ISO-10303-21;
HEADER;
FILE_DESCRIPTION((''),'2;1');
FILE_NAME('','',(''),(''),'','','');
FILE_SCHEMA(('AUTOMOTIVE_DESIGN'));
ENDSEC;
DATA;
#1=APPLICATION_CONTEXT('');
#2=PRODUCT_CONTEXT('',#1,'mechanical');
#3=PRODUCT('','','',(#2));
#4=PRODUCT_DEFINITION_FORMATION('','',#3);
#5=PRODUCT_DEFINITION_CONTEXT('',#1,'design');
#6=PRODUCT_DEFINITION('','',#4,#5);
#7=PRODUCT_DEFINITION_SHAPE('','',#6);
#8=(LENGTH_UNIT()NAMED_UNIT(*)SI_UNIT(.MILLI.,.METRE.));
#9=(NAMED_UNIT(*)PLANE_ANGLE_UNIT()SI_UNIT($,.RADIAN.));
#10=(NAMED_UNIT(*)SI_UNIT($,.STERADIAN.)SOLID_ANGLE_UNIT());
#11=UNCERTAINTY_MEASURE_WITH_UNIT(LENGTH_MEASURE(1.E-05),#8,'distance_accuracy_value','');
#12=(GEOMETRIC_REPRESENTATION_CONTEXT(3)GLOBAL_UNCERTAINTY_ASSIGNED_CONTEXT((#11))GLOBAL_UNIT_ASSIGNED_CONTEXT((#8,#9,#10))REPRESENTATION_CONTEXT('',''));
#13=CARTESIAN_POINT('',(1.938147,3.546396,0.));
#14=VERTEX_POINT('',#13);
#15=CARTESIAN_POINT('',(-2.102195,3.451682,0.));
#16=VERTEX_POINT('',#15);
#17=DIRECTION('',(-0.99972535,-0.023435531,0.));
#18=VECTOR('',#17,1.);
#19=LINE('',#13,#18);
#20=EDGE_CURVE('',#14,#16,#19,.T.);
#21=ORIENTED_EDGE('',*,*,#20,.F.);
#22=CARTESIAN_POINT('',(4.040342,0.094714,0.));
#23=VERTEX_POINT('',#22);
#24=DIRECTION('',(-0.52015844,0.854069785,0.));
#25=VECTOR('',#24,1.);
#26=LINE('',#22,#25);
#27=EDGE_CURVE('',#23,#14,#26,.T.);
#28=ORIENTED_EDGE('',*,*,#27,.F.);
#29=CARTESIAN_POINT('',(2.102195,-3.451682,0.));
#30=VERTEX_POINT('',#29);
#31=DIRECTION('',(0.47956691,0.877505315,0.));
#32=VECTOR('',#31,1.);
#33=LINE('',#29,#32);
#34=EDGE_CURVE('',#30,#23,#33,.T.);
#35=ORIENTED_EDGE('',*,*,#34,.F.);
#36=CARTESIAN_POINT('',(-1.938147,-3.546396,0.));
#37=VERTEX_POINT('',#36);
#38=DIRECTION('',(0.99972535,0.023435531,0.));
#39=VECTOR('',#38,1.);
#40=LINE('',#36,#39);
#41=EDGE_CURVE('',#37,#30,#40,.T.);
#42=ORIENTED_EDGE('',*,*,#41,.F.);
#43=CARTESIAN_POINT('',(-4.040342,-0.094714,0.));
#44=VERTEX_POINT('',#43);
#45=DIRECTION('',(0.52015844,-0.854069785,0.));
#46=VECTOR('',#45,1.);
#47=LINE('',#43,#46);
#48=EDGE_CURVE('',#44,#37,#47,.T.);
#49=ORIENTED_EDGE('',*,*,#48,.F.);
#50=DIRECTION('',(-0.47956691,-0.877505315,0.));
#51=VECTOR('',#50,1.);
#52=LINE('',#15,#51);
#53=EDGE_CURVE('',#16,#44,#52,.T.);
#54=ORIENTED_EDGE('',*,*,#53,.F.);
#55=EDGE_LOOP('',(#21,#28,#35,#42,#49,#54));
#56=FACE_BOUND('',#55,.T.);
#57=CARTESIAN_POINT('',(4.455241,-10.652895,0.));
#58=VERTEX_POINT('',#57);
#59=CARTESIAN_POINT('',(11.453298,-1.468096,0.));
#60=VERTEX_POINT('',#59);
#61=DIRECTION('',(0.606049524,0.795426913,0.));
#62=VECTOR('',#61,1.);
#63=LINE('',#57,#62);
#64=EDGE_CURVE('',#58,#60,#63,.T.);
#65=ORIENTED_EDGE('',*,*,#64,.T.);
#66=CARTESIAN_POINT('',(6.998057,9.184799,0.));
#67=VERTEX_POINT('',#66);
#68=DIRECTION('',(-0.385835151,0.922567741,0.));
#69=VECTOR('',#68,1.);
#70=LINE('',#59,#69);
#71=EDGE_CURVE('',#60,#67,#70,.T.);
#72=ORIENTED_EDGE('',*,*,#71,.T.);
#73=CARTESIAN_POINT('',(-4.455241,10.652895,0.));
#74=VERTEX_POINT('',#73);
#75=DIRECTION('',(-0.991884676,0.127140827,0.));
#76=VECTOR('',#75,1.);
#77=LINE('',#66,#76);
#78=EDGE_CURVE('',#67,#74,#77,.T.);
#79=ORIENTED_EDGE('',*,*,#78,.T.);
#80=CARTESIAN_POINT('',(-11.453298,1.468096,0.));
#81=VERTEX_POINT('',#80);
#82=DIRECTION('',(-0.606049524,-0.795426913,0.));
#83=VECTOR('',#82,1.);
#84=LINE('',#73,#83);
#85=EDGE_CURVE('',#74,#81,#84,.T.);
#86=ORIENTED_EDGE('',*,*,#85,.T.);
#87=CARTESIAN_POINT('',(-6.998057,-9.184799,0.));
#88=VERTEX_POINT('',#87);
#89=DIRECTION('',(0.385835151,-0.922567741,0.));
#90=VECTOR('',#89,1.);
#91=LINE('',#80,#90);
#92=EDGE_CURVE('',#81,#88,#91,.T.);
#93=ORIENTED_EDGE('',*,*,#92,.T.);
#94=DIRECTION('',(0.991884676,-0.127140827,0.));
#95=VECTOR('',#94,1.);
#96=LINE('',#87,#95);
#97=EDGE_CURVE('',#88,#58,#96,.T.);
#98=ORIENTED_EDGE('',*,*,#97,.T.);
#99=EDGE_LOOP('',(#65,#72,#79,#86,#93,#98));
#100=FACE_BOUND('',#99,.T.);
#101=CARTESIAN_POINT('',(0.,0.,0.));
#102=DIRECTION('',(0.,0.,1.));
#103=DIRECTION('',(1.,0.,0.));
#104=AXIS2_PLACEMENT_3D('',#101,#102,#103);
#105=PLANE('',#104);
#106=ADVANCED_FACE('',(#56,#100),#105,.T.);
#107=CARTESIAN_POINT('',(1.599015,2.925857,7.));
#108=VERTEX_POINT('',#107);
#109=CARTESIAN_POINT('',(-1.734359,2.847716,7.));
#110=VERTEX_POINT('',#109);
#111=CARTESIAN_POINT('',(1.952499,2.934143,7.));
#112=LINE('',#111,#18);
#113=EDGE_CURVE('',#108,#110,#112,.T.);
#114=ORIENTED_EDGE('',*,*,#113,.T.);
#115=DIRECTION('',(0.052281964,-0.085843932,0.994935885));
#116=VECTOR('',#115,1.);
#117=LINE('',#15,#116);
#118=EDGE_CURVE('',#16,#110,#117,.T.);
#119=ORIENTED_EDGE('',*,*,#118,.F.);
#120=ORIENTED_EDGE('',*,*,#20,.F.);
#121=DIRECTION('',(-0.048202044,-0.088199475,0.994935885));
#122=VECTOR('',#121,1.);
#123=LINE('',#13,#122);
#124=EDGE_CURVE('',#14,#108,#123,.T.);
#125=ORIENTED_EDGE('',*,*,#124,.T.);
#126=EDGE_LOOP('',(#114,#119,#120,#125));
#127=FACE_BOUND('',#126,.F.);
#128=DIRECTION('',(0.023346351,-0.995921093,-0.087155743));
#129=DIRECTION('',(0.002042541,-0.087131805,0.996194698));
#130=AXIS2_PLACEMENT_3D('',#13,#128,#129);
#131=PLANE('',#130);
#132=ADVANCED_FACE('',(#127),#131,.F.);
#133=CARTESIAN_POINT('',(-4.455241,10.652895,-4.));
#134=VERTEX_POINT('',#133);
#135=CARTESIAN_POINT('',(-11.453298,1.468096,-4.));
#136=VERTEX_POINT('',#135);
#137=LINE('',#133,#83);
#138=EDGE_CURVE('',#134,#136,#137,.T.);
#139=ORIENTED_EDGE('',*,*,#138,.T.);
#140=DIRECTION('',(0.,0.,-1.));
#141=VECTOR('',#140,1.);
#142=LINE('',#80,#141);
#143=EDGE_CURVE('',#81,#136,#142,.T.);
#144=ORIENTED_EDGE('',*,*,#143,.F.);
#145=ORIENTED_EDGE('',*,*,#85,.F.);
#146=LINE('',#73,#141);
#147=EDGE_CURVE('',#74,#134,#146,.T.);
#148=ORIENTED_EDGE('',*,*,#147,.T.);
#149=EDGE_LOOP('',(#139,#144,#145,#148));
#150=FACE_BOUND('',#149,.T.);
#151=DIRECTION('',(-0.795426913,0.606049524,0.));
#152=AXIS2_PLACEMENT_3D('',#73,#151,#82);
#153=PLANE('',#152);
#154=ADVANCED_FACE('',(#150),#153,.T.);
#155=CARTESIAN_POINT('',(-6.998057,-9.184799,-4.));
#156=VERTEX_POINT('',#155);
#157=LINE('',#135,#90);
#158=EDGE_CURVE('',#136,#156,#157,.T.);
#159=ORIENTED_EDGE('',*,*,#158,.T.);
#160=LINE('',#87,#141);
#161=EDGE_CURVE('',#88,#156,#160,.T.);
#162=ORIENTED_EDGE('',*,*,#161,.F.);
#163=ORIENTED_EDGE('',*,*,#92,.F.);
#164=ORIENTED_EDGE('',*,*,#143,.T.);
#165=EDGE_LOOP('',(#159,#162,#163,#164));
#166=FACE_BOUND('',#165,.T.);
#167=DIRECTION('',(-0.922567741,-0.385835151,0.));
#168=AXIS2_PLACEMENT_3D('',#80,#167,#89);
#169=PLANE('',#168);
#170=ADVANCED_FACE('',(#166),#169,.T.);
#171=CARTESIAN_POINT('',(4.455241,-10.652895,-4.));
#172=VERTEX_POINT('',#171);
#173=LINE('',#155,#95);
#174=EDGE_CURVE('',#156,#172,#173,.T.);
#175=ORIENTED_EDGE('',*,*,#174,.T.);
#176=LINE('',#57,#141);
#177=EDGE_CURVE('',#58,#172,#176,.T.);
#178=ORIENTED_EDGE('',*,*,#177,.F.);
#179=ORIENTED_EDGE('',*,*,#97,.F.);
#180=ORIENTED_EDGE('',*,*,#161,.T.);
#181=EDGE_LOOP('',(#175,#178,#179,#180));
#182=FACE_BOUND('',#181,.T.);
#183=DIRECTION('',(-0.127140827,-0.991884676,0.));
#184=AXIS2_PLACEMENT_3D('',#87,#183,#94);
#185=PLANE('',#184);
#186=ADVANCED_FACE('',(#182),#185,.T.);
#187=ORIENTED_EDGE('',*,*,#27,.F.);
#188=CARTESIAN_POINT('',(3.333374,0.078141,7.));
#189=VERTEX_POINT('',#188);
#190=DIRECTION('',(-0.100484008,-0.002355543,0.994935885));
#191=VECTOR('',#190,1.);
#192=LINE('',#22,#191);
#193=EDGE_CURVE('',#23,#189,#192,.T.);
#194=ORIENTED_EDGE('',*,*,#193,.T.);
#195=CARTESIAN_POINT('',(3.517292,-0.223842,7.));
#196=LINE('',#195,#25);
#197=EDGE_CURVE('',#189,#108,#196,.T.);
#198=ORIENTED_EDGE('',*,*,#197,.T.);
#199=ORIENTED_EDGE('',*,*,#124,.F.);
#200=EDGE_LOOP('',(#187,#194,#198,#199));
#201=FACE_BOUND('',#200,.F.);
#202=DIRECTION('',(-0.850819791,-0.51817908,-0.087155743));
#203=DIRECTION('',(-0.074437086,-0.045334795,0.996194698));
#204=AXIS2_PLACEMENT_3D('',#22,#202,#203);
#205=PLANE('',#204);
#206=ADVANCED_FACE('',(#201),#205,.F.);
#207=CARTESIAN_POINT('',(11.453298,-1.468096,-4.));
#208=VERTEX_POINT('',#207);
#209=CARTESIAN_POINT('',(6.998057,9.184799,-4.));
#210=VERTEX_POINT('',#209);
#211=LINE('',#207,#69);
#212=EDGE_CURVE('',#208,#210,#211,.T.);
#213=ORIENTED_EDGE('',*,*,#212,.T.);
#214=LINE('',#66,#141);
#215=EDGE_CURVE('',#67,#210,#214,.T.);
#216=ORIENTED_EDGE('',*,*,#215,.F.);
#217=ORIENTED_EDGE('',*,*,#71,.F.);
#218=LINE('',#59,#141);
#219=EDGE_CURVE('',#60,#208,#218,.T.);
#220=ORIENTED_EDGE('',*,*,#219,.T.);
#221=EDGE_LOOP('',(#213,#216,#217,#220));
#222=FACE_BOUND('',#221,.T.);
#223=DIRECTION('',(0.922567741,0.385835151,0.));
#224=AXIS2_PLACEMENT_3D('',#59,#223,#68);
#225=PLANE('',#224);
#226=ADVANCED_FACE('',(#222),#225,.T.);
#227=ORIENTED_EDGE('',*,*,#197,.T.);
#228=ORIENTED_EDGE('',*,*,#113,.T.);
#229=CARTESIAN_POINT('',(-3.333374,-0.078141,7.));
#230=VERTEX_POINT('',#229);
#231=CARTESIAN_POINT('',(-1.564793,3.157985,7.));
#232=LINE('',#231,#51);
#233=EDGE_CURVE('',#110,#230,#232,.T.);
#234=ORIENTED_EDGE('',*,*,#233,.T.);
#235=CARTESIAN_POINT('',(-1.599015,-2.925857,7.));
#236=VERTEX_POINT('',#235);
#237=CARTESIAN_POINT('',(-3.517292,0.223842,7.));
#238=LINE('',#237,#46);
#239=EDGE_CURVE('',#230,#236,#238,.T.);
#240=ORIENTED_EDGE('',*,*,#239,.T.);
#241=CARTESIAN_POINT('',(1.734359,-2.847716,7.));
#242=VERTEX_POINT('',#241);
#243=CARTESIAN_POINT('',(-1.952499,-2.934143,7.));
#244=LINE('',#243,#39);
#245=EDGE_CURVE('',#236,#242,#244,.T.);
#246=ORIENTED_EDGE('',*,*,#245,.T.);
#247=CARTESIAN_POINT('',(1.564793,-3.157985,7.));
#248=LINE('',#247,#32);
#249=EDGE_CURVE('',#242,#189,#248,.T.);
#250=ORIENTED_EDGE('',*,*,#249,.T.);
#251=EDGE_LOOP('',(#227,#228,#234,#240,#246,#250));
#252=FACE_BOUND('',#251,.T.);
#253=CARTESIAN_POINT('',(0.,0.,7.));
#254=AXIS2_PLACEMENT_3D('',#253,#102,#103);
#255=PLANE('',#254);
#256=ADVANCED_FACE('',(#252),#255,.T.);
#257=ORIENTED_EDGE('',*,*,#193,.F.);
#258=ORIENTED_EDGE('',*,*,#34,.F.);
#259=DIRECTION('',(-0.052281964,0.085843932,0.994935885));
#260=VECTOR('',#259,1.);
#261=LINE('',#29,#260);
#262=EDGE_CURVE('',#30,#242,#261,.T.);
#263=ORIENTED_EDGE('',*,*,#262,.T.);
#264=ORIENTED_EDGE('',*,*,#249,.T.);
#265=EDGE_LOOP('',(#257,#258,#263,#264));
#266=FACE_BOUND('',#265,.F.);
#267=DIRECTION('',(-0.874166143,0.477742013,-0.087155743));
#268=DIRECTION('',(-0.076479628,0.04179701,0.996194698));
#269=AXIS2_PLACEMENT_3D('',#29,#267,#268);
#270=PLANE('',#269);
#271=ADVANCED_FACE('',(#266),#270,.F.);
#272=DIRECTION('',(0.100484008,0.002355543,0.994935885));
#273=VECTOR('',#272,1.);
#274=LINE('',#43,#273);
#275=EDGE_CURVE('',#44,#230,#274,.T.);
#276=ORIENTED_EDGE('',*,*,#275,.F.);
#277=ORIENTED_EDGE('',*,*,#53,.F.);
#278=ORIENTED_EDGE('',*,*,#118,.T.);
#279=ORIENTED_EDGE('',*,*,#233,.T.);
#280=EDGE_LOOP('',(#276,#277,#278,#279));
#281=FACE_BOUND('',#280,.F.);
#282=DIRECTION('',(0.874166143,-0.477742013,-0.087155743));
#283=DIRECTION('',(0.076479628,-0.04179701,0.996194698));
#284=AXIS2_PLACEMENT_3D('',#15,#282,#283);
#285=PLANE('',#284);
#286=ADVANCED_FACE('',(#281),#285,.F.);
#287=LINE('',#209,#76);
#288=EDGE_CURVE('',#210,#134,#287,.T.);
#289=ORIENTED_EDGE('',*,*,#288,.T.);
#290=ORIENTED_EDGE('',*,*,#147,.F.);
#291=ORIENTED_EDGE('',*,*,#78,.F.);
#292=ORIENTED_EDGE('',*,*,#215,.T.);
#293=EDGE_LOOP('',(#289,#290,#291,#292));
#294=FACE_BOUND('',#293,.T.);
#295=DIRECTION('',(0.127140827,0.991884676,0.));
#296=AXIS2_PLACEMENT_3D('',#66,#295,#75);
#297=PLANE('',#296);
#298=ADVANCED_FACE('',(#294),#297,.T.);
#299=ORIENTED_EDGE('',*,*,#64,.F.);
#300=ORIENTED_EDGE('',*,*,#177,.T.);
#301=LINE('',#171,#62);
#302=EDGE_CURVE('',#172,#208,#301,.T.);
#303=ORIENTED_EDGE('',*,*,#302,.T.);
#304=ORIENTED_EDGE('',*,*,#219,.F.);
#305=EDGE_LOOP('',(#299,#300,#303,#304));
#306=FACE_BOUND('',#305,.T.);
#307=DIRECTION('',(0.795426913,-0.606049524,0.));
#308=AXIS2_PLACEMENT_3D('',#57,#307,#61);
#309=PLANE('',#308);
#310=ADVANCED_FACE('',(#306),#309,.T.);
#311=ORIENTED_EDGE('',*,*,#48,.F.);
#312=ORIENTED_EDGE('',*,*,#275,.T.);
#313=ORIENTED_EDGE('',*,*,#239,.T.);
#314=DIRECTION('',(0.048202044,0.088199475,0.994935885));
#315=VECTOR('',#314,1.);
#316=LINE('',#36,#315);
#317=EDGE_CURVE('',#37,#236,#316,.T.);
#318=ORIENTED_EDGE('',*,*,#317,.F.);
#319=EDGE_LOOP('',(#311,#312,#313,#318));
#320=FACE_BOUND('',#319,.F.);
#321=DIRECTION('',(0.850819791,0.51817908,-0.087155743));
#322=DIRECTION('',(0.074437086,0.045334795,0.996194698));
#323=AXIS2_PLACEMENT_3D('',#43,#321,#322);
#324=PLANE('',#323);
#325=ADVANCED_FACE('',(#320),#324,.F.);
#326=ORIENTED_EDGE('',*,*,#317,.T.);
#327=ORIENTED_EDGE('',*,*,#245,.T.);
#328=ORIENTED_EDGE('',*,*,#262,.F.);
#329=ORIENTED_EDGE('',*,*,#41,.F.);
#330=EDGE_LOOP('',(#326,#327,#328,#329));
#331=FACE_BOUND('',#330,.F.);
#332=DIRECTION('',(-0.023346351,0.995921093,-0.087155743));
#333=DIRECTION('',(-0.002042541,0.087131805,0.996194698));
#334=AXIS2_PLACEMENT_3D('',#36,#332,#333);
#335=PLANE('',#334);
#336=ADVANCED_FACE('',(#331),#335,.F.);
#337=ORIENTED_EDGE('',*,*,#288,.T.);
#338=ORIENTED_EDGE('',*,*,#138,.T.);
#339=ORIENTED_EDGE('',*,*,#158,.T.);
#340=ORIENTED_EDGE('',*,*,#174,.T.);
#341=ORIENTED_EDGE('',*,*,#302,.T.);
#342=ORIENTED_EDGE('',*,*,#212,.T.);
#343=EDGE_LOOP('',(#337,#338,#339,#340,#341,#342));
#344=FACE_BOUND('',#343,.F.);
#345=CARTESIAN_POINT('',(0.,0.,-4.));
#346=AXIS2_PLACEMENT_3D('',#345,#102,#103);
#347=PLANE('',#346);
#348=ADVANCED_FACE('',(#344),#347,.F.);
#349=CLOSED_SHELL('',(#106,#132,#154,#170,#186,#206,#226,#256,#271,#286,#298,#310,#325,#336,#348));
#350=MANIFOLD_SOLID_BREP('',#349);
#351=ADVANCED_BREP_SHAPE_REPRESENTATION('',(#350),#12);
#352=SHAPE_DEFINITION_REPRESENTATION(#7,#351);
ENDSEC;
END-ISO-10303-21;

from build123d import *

# Parameters (mm, degrees)
F1_DEPTH      = 7
F1_TAPER      = 5
F1_DEPTH_BACK = 4
F2_DEPTH      = 4


with BuildPart() as f1:
    # F0 (on Top) → F1 (new body, two sides)
    with BuildSketch(Plane.XY) as f1_sk:
        Polygon((2.1021953077, -3.451681941), (4.0403419005, 0.0947135697), (1.9381465928, 3.5463955107), (-2.1021953077, 3.451681941), (-4.0403419005, -0.0947135697), (-1.9381465928, -3.5463955107), align=None)
    extrude(amount=F1_DEPTH, taper=F1_TAPER)
    extrude(f1_sk.sketch, amount=-F1_DEPTH_BACK)

    # F0 (on Top) → F2 (join)
    with BuildSketch(Plane.XY):
        Polygon((4.4552405715, -10.6528946669), (11.4532976911, -1.4680958186), (6.9980571196, 9.1847988483), (-4.4552405715, 10.6528946669), (-11.4532976911, 1.4680958186), (-6.9980571196, -9.1847988483), align=None)
        Polygon((1.9381465928, 3.5463955107), (4.0403419005, 0.0947135697), (2.1021953077, -3.451681941), (-1.9381465928, -3.5463955107), (-4.0403419005, -0.0947135697), (-2.1021953077, 3.451681941), align=None, mode=Mode.SUBTRACT)
    extrude(amount=-F2_DEPTH)


solid = f1.part
